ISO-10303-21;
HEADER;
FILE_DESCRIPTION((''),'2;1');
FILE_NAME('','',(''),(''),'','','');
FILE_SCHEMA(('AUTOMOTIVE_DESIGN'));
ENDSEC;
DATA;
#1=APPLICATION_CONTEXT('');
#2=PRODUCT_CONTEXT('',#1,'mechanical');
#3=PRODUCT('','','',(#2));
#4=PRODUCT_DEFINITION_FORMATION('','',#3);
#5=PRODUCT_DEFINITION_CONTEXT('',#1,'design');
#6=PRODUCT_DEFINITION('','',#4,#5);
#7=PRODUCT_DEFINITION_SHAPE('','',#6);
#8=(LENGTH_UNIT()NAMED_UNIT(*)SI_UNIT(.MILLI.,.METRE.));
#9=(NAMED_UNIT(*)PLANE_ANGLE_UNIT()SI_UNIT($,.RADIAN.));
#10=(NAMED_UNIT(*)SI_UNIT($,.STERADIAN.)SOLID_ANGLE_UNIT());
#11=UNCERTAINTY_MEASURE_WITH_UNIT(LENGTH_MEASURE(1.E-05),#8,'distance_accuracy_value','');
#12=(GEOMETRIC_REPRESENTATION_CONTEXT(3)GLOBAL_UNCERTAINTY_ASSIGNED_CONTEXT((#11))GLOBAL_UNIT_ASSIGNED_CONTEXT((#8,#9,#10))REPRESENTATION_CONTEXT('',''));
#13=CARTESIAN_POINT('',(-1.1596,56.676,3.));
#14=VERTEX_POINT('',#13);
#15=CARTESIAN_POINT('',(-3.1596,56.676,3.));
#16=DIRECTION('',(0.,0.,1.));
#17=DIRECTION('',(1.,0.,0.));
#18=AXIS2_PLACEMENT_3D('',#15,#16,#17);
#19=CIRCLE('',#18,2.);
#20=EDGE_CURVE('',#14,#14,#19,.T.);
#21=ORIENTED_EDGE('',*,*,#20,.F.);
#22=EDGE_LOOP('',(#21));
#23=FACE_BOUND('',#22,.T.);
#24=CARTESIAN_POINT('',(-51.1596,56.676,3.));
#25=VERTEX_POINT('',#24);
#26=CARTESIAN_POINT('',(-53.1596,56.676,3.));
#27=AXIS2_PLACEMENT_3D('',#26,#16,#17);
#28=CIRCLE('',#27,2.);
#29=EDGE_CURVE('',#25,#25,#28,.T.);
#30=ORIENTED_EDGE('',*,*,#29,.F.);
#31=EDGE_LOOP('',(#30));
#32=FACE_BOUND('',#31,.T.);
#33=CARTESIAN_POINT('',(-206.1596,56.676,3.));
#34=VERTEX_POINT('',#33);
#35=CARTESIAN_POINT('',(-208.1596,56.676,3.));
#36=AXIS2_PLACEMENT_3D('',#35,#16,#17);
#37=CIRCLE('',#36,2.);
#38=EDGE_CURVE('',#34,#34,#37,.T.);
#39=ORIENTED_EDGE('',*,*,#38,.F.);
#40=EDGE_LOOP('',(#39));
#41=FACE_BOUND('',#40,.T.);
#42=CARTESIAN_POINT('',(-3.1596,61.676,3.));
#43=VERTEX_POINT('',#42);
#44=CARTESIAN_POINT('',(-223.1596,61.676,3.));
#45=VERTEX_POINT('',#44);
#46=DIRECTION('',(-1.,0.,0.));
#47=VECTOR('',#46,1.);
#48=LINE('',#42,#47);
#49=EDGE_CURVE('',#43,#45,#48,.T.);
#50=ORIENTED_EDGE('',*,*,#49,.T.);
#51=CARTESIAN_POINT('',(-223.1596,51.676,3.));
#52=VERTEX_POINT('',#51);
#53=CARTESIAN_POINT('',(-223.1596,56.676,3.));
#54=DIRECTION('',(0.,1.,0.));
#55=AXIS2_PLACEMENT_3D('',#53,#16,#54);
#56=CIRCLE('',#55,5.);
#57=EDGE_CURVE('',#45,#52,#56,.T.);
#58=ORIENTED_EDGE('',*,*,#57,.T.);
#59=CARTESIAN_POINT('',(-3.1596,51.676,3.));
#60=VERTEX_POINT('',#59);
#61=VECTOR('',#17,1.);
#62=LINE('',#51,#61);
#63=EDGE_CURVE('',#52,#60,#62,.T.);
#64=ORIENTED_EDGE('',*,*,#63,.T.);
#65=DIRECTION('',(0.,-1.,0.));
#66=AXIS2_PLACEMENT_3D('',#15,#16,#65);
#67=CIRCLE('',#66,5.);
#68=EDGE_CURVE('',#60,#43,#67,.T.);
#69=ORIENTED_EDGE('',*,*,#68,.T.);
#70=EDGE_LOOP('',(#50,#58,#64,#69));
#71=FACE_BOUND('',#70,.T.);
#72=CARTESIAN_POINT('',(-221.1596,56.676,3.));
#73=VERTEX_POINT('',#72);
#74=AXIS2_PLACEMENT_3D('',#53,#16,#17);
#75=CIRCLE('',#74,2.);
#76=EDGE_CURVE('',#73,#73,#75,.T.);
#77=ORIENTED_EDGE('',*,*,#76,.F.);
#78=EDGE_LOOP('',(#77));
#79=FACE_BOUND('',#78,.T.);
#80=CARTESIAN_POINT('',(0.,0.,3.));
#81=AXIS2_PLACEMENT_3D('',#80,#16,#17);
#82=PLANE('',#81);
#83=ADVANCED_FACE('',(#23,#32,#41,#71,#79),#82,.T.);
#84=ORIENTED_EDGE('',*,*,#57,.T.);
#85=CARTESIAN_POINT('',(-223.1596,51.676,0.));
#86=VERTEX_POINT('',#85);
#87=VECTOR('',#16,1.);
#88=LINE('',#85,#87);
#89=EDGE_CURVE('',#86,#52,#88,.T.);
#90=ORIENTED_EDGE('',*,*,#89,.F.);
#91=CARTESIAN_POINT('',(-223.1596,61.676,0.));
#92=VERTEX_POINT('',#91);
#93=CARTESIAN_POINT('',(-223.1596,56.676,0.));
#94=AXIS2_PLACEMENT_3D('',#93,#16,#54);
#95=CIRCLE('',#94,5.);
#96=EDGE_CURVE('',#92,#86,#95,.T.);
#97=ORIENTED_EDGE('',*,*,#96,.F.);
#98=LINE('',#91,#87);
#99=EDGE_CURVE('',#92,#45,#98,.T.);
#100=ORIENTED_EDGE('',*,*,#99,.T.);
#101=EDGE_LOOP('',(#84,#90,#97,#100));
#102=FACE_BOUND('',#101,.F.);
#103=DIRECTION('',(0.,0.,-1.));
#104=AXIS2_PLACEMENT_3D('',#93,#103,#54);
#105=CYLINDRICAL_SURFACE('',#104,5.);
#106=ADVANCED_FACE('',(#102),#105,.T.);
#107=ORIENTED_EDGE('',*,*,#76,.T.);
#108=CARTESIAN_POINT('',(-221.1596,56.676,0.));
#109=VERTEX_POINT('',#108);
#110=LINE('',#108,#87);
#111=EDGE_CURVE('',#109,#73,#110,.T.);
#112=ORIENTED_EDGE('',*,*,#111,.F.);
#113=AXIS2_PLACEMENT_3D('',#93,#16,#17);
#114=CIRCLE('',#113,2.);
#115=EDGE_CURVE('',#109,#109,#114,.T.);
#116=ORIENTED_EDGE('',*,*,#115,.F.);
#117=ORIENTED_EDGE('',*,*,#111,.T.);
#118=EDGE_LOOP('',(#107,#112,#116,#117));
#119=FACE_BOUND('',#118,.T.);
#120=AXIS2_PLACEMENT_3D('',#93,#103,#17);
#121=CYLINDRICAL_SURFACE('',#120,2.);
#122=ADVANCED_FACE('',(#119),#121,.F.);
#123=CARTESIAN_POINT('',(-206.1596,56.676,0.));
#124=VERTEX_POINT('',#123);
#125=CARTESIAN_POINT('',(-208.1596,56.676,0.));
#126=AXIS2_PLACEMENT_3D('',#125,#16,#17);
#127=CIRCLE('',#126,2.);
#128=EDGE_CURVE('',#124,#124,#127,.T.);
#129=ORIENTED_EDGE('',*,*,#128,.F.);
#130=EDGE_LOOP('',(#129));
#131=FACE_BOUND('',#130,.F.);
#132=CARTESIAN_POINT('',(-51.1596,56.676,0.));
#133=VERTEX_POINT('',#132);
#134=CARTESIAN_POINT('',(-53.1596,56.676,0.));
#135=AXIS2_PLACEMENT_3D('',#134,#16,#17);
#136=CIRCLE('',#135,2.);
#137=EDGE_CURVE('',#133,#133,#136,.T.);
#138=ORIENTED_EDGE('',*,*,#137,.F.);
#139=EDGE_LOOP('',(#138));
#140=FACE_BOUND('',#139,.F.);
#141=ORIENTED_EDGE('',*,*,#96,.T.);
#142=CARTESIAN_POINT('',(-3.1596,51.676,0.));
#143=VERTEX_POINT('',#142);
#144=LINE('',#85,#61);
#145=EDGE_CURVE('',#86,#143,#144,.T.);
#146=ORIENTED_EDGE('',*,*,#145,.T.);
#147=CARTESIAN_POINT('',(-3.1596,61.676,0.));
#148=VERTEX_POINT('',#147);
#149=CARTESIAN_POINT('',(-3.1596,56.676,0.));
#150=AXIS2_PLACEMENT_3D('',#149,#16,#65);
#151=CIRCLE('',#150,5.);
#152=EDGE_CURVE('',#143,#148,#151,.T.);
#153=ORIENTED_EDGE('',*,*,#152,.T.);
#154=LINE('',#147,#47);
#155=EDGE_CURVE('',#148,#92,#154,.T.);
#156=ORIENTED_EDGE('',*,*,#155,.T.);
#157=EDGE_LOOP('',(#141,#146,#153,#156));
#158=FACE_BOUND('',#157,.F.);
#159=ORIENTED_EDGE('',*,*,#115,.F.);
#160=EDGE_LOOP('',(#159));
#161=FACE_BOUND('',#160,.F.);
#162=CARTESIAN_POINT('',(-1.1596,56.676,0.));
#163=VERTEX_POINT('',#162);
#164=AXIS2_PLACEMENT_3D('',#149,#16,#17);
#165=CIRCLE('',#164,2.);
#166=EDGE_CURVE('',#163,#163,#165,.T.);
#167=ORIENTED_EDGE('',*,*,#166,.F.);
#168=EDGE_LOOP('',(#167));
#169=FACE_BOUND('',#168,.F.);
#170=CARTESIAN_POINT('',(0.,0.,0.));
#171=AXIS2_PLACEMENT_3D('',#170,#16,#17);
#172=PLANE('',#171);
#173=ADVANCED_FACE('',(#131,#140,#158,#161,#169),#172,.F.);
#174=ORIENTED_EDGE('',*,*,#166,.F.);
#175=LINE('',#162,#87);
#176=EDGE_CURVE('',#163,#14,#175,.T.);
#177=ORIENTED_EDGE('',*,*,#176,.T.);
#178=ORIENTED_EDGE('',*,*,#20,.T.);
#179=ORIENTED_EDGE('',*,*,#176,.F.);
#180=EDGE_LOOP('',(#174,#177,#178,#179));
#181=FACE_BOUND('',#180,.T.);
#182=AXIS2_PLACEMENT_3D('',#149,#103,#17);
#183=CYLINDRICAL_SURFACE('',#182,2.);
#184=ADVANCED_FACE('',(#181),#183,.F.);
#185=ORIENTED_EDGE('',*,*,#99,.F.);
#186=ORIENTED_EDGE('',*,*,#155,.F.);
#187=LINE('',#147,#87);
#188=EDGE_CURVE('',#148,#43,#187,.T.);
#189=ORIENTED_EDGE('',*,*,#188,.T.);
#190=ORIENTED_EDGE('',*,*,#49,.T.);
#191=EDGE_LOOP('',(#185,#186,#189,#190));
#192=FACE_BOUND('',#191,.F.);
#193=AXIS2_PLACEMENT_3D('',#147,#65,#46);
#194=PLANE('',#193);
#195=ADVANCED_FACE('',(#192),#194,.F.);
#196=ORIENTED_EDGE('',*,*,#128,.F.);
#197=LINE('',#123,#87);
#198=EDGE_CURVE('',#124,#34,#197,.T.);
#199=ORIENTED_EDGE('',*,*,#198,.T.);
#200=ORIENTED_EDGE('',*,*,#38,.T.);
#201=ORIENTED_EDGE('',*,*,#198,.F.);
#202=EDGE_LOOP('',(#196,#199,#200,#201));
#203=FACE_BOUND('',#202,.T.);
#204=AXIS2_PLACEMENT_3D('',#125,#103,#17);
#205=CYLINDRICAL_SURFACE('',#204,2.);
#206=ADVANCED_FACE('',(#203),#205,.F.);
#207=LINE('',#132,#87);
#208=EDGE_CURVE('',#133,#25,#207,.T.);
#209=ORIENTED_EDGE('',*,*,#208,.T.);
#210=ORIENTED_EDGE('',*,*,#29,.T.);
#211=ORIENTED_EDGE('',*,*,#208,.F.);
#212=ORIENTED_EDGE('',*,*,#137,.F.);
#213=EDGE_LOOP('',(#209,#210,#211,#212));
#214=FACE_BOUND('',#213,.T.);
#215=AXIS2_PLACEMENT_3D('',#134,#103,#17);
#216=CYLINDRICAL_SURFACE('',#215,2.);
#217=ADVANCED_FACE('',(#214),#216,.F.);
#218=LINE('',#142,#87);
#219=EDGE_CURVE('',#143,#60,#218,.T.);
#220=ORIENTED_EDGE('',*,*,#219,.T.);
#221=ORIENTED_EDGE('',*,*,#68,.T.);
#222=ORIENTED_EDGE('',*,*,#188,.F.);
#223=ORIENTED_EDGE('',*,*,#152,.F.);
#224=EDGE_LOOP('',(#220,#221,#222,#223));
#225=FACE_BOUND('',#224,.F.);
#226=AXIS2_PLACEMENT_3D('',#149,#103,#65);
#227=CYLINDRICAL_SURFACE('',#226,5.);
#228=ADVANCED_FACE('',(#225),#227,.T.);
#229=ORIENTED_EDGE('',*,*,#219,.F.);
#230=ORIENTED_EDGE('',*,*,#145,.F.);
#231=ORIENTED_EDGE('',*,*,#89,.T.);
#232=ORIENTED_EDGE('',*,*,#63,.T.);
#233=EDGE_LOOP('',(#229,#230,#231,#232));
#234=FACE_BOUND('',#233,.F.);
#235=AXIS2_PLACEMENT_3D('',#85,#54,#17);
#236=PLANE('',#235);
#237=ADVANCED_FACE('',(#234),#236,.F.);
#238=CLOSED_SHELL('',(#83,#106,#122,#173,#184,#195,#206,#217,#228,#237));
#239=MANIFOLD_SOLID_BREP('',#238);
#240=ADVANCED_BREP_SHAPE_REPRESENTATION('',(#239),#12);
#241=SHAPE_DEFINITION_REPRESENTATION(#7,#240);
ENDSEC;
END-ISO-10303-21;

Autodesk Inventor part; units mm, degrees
ref_plane "YZ Plane" through (0, 0, 0) normal (1, 0, 0) x (0, 1, 0)
ref_plane "XZ Plane" through (0, 0, 0) normal (0, 1, 0) x (-1, 0, 0)
ref_plane "XY Plane" through (0, 0, 0) normal (0, 0, 1) x (1, 0, 0)
sketch "草圖1" plane through (0, 0, 0) normal (0, 0, 1) x (1, 0, 0)
  line L0 (-223.1596, 56.676) -> (-3.1596, 56.676) construction
  line L1 (-223.1596, 51.676) -> (-3.1596, 51.676)
  line L2 (-3.1596, 61.676) -> (-223.1596, 61.676)
  arc A0 (-223.1596, 61.676) -> (-223.1596, 51.676) centre (-223.1596, 56.676) ccw
  arc A1 (-3.1596, 51.676) -> (-3.1596, 61.676) centre (-3.1596, 56.676) ccw
  circle A2 centre (-223.1596, 56.676) radius 2
  circle A3 centre (-3.1596, 56.676) radius 2
  circle A4 centre (-208.1596, 56.676) radius 2
  circle A5 centre (-53.1596, 56.676) radius 2
  point P0 (0, 0)
  point P1 (-113.1596, 56.676)
  dimension "d0" = 220
  dimension "d1" = 10
  dimension "d2" = 4
  dimension "d3" = 4
  dimension "d4" = 4
  dimension "d5" = 15
  dimension "d8" = 4
  dimension "d9" = 50
extrude "擠出1" add sketch "草圖1" along normal blind 3
